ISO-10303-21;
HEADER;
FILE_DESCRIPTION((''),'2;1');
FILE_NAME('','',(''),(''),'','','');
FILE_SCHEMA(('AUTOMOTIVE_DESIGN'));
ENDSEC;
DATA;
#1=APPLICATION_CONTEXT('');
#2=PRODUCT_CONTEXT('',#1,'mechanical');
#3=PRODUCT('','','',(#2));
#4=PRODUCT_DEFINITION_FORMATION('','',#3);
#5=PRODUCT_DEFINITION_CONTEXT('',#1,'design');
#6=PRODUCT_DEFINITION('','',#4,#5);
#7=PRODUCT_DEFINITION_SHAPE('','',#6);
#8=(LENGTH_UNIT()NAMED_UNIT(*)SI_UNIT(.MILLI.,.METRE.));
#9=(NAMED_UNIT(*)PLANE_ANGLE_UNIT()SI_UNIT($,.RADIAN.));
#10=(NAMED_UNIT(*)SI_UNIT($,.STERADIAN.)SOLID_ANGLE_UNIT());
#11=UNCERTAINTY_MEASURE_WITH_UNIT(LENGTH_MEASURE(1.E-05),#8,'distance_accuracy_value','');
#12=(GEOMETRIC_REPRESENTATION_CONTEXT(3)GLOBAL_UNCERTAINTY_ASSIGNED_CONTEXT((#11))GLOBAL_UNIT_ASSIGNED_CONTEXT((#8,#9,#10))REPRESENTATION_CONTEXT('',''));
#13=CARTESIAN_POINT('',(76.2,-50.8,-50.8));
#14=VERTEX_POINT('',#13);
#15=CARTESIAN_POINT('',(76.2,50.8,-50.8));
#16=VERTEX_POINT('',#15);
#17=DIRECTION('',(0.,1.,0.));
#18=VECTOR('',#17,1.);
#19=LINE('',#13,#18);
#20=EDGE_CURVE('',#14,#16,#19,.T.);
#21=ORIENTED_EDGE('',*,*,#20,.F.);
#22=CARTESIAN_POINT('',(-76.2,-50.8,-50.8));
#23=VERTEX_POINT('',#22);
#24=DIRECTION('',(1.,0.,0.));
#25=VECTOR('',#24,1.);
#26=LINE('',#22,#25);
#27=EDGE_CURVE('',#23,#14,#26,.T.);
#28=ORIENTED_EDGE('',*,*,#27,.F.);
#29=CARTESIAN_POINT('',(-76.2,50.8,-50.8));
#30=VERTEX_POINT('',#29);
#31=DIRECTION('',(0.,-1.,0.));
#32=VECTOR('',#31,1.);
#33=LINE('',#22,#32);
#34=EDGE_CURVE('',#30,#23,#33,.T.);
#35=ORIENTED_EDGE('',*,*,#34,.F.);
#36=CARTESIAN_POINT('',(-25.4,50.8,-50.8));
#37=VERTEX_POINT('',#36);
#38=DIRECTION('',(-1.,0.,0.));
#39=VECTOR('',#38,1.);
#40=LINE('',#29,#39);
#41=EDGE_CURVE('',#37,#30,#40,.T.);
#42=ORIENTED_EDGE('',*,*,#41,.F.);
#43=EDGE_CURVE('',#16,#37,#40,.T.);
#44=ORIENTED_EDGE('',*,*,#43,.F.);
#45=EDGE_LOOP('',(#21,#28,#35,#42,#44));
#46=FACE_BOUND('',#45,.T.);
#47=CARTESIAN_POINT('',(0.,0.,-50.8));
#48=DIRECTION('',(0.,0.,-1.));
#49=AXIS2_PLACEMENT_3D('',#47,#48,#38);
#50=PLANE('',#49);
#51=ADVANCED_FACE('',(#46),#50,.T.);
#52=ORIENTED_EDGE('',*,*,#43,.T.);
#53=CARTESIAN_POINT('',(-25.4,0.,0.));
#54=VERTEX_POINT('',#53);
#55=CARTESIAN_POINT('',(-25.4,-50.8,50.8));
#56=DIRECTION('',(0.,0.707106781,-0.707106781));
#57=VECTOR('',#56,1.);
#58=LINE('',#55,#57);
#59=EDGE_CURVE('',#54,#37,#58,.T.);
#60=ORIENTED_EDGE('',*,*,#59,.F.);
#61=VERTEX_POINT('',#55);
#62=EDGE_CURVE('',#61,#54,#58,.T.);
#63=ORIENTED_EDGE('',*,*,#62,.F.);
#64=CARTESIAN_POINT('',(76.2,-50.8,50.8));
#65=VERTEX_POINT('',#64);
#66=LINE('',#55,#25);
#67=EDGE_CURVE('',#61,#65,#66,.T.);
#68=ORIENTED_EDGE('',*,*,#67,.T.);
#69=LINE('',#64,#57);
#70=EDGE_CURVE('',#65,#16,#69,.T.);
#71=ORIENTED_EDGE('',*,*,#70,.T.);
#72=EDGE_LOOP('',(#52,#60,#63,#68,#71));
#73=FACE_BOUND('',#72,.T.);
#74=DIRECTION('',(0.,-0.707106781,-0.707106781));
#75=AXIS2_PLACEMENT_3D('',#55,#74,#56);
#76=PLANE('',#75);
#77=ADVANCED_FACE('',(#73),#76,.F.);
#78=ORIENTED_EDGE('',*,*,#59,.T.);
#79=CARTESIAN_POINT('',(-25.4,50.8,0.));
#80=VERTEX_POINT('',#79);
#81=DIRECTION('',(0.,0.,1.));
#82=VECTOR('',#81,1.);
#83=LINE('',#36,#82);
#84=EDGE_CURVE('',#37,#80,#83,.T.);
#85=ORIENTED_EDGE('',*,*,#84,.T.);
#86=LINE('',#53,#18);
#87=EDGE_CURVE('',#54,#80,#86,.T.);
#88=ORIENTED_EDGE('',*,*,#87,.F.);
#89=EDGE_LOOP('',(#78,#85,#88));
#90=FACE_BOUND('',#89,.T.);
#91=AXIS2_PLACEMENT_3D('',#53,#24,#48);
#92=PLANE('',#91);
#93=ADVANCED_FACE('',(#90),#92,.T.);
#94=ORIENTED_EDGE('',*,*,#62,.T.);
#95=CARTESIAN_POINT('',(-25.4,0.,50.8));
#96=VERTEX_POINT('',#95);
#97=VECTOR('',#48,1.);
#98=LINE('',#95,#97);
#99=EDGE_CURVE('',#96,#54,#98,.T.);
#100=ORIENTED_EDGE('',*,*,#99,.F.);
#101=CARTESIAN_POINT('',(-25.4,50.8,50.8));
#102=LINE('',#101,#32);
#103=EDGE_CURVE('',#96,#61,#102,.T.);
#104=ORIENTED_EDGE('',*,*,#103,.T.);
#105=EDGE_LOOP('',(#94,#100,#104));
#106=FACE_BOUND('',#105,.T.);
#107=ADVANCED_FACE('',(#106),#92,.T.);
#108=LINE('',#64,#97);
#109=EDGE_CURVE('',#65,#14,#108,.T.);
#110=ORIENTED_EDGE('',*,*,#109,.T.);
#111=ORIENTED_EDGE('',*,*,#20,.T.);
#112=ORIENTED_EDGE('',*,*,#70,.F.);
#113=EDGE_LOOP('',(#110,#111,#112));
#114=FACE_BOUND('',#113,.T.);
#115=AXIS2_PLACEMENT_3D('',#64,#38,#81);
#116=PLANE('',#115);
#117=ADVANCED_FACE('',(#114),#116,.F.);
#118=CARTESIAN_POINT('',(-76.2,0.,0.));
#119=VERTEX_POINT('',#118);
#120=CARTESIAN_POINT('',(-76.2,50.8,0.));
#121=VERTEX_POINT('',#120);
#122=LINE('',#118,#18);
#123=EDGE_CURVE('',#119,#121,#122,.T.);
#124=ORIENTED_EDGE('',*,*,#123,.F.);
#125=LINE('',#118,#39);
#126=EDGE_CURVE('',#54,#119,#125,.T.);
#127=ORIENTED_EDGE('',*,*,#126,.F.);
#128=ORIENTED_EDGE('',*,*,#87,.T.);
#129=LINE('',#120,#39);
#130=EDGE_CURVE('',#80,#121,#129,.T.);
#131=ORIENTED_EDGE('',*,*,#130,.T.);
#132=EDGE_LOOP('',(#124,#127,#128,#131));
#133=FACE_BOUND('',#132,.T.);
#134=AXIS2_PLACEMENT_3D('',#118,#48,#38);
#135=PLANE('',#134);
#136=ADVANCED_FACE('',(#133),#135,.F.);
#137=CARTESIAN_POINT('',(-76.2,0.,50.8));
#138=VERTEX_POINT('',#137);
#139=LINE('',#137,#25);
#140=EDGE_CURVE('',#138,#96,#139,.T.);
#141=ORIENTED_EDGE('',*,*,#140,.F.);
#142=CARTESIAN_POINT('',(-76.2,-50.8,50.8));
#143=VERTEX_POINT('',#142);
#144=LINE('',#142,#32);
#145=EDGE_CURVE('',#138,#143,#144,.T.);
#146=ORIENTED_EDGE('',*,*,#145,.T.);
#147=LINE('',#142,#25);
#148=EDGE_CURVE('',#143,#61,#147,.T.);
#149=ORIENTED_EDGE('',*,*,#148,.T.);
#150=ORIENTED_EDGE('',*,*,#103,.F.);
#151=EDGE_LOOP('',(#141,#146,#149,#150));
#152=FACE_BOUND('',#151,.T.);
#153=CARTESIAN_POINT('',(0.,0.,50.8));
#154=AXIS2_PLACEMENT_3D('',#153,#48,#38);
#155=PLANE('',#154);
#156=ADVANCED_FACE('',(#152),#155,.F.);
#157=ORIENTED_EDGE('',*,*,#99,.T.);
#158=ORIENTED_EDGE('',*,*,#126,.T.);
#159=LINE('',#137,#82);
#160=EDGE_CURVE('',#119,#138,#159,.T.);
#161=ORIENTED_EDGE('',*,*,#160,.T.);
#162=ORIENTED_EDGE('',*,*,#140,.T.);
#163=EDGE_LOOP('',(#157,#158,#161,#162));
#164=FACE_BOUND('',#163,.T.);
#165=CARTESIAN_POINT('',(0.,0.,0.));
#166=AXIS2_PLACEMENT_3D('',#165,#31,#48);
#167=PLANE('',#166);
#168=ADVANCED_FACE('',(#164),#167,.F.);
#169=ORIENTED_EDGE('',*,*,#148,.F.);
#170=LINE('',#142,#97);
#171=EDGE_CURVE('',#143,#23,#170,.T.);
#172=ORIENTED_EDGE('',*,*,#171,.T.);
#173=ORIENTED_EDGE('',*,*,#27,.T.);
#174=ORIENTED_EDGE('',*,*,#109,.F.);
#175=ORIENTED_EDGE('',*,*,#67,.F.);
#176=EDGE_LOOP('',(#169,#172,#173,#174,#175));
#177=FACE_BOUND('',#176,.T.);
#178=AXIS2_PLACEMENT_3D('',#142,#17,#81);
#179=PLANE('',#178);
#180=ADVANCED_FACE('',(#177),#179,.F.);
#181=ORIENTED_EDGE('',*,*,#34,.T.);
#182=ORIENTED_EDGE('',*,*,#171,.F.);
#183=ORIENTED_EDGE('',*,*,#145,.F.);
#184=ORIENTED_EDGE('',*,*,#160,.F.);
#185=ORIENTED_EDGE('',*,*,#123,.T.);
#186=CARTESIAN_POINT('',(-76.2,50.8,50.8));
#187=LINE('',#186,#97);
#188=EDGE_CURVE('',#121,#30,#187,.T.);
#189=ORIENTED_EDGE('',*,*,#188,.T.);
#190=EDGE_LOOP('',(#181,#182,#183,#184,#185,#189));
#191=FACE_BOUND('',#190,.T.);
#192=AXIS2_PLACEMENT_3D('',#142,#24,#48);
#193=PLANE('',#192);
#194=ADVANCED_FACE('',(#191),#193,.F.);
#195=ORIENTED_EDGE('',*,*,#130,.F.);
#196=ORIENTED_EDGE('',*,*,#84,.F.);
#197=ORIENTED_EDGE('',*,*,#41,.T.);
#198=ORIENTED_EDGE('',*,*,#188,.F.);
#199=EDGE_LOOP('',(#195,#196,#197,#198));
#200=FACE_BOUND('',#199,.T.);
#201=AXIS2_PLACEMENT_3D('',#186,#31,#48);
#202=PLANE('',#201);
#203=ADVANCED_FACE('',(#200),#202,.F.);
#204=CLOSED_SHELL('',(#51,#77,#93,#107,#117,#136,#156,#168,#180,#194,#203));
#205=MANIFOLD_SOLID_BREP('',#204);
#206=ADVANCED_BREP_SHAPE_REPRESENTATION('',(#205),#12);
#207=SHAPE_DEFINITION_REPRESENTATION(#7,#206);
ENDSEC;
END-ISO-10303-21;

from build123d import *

# Parameters (mm, degrees)
SKETCH2_W           = 152.4
SKETCH2_H           = 101.6
BOSS_EXTRUDE1_DEPTH = 50.8
SKETCH3_W           = 50.8
SKETCH3_H           = 50.8
CUT_EXTRUDE1_DEPTH  = 50.8
CUT_EXTRUDE2_DEPTH  = 101.6


with BuildPart() as part:
    # Sketch2 → Boss-Extrude1 (new, symmetric)
    with BuildSketch(Plane.XY):
        Rectangle(SKETCH2_W, SKETCH2_H)
    extrude(amount=BOSS_EXTRUDE1_DEPTH, both=True)

    # Sketch3 → Cut-Extrude1 (cut)
    with BuildSketch(Plane(origin=(0, 50.8, 0), x_dir=(1, 0, 0), z_dir=(0, 1, 0))):
        with Locations((-50.8, -25.4)):
            Rectangle(SKETCH3_W, SKETCH3_H)
    extrude(amount=-CUT_EXTRUDE1_DEPTH, mode=Mode.SUBTRACT)

    # Sketch4 → Cut-Extrude2 (cut)
    with BuildSketch(Plane(origin=(76.2, 0, 0), x_dir=(0, 0, -1), z_dir=(1, 0, 0))):
        Polygon((-50.8, -50.8), (50.8, 50.8), (-50.8, 50.8), align=None)
    extrude(amount=-CUT_EXTRUDE2_DEPTH, mode=Mode.SUBTRACT)


solid = part.part
